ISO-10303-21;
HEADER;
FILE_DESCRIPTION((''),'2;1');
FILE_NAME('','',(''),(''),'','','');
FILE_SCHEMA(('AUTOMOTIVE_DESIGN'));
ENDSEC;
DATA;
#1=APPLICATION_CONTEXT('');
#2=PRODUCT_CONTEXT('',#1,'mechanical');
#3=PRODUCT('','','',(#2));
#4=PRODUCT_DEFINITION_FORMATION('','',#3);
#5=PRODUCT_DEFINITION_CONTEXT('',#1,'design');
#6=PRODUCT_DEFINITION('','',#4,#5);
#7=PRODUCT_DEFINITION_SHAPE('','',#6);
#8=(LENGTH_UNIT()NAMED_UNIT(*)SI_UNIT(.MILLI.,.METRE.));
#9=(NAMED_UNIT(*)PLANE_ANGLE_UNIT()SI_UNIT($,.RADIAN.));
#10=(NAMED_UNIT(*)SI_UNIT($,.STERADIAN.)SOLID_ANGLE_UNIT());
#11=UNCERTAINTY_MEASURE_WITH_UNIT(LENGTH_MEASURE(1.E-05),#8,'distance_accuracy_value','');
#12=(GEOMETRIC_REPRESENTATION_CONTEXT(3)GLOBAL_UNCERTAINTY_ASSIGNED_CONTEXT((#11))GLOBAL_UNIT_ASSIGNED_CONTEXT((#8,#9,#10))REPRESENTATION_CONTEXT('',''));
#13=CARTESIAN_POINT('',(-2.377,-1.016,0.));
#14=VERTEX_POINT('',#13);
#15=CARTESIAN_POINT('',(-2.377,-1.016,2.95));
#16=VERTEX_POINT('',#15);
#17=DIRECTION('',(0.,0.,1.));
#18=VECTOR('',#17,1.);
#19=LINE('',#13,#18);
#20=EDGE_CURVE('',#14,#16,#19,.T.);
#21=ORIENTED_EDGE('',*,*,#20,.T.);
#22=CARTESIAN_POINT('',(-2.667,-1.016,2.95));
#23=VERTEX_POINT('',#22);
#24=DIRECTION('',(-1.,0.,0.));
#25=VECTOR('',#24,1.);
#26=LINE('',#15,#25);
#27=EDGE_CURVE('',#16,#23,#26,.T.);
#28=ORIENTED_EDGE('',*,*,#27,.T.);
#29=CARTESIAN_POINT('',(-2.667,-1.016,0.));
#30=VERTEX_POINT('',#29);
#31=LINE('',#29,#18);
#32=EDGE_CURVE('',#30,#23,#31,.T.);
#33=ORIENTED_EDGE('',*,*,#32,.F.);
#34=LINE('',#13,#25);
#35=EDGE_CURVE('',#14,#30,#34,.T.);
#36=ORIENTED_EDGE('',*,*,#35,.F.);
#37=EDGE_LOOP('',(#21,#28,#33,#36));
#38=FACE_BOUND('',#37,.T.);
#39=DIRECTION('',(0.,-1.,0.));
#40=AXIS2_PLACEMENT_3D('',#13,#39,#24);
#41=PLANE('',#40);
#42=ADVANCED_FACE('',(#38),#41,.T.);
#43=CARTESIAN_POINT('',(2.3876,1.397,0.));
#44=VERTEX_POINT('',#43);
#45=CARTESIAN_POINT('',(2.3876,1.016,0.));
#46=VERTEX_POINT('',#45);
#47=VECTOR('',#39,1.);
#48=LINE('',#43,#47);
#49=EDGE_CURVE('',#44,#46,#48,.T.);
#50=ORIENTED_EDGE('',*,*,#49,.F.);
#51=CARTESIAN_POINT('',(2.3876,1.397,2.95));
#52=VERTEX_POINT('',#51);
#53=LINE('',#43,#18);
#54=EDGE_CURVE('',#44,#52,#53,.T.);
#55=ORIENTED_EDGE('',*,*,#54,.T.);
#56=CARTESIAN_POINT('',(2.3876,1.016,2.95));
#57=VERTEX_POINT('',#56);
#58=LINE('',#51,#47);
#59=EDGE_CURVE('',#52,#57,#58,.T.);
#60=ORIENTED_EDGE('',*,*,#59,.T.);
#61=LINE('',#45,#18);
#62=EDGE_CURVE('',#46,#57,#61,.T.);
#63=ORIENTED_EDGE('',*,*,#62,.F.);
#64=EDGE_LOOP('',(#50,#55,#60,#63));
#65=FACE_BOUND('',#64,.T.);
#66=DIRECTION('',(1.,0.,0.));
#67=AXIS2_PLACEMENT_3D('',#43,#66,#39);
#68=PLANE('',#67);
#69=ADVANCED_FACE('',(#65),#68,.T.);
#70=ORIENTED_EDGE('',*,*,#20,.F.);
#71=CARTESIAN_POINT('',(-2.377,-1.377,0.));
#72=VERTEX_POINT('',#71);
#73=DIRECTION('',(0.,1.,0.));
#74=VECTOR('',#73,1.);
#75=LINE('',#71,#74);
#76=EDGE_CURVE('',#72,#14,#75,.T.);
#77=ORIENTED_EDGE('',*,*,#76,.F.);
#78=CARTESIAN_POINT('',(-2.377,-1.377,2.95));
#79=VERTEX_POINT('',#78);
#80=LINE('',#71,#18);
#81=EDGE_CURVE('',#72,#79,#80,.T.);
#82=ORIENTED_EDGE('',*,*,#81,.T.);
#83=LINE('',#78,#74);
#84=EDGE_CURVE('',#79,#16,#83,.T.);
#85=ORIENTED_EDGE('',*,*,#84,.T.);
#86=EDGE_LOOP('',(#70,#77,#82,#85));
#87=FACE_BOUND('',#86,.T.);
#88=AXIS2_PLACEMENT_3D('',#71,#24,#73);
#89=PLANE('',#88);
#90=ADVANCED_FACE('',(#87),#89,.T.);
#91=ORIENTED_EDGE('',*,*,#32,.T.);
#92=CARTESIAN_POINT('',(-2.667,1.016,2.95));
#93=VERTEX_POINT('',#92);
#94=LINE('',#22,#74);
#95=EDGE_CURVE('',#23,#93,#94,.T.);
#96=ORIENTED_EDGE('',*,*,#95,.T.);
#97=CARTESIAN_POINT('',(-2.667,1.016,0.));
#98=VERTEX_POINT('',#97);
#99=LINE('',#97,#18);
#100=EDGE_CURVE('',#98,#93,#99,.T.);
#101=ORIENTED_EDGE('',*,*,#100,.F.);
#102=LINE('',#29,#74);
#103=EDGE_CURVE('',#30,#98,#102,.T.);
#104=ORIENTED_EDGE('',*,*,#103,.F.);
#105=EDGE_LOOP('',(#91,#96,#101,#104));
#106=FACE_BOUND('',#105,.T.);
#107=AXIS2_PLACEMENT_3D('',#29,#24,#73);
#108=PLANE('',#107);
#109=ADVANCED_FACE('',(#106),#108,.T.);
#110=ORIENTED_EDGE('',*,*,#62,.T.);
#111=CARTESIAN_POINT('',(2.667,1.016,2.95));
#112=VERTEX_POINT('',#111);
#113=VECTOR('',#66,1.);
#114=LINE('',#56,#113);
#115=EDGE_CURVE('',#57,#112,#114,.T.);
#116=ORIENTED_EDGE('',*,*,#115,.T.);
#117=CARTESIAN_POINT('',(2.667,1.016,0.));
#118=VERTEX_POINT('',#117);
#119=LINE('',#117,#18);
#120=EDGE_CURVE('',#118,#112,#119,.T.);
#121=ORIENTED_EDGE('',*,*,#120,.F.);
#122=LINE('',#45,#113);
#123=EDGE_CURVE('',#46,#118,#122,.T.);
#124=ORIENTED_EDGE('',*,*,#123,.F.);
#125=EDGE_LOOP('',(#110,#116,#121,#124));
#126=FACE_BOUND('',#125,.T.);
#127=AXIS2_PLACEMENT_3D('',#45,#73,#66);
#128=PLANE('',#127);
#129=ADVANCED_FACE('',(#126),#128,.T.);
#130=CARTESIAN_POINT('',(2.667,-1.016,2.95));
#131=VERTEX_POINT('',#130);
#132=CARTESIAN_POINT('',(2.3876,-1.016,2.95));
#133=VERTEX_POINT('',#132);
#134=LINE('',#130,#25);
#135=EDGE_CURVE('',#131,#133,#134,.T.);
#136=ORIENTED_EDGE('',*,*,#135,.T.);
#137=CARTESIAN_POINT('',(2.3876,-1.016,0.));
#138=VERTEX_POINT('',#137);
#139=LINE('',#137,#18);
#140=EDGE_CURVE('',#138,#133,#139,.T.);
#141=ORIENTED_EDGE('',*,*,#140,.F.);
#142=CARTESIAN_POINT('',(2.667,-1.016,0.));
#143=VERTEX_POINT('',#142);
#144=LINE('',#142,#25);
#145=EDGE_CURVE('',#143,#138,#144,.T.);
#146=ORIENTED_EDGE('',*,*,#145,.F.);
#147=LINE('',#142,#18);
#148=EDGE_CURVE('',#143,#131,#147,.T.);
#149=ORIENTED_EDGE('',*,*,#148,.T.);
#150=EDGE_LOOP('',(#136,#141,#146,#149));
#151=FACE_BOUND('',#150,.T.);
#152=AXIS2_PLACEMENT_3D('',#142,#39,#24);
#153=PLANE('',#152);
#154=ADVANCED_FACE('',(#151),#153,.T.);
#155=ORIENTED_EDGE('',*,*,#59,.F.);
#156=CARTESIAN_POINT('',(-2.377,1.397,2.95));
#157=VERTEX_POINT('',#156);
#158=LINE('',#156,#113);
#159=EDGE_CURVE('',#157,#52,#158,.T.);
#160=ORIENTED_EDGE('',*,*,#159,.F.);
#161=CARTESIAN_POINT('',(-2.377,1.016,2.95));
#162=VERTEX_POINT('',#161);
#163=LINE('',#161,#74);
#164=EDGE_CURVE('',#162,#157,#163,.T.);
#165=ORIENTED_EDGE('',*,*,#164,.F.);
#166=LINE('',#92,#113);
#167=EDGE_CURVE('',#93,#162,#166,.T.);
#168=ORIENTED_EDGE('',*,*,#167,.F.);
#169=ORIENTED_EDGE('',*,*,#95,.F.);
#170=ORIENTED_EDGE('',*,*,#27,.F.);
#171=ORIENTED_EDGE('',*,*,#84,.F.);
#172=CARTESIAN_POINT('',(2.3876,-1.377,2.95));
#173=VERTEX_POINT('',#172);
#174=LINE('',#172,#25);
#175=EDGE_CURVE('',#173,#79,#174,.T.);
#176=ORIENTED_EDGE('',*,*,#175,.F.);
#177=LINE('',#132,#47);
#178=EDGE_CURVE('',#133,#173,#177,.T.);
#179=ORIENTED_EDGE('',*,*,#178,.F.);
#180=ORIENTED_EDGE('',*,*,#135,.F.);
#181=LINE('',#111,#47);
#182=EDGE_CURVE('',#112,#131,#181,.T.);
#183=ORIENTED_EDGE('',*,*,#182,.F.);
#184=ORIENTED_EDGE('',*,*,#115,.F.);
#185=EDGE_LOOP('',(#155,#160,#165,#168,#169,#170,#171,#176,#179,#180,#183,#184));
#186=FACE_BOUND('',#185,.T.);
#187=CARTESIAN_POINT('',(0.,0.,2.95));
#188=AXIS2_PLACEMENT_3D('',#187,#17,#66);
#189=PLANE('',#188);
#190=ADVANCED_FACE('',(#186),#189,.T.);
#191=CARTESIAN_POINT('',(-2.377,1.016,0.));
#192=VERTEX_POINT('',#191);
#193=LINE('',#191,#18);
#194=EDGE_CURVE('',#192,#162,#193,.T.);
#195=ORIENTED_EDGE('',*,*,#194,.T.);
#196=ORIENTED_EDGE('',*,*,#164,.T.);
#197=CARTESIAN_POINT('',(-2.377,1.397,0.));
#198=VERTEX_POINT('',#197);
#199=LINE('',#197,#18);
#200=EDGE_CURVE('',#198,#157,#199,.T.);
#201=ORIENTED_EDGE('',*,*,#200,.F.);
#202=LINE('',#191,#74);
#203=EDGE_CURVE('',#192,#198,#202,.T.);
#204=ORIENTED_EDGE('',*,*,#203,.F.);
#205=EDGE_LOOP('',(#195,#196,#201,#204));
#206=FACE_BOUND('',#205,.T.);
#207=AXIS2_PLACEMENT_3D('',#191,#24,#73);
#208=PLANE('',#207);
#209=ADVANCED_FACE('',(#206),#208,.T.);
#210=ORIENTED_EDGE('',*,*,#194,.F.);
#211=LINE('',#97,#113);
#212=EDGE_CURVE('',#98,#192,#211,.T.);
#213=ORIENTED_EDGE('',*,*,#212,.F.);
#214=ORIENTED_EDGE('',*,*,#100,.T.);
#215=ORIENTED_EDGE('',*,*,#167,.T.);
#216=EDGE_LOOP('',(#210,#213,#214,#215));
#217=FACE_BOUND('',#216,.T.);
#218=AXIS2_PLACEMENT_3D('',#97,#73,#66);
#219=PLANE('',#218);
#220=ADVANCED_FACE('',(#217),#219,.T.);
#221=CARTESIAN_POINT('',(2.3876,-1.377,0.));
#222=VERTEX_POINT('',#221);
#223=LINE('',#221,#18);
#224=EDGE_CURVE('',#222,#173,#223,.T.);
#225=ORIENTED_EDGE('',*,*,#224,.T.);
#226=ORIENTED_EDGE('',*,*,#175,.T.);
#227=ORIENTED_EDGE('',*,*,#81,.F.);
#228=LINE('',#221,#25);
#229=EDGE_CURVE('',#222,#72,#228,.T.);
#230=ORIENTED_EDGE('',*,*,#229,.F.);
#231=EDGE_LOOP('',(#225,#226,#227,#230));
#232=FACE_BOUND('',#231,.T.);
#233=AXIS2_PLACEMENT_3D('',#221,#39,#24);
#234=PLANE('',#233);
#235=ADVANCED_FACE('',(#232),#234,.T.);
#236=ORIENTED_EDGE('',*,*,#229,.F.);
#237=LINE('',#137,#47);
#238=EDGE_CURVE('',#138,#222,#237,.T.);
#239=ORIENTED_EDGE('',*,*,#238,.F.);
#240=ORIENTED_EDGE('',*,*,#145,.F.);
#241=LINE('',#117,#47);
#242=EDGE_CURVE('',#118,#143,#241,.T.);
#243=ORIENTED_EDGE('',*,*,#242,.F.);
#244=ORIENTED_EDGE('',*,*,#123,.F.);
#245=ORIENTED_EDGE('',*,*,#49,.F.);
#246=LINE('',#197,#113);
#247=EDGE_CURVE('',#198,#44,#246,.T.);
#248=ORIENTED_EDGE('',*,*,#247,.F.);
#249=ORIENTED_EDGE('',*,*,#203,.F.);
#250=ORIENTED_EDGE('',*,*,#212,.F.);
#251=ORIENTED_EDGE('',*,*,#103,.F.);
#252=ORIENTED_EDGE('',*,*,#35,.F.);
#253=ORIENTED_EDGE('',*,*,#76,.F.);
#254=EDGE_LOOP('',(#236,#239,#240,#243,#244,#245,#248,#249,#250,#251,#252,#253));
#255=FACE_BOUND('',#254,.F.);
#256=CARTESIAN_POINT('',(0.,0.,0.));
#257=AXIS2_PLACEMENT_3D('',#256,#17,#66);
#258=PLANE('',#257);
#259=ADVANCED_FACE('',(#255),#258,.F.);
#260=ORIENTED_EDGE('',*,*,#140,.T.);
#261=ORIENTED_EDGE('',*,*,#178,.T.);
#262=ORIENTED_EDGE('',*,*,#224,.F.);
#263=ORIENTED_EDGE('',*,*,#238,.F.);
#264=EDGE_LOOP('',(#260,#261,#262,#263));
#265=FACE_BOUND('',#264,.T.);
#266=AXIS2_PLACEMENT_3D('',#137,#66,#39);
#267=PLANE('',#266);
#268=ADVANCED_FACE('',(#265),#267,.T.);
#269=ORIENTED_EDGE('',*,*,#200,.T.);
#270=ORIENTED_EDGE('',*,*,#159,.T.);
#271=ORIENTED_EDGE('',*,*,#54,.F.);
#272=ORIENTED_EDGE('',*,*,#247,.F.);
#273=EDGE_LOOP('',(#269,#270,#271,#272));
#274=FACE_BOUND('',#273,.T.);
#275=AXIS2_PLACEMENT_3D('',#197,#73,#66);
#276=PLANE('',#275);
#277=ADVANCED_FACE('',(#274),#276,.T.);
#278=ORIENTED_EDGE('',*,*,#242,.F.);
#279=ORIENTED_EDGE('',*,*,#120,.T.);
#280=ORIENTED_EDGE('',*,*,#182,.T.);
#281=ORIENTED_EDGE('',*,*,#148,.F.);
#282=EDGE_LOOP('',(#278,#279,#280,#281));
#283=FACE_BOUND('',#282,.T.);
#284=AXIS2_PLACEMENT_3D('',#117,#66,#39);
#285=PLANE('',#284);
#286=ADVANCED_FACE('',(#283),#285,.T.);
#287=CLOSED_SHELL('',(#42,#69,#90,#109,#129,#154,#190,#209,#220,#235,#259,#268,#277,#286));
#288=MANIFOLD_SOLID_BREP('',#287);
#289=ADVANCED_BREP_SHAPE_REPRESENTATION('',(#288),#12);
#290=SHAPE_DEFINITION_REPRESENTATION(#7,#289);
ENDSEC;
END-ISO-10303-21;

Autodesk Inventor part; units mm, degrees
ref_plane "YZ Plane" through (0, 0, 0) normal (1, 0, 0) x (0, 1, 0)
ref_plane "XZ Plane" through (0, 0, 0) normal (0, 1, 0) x (-1, 0, 0)
ref_plane "XY Plane" through (0, 0, 0) normal (0, 0, 1) x (1, 0, 0)
sketch "SMA-SM, SK310A-TP_61" plane through (0, 0, 0) normal (0, 0, 1) x (1, 0, 0)
  line L0 (2.3876, 1.016) -> (2.667, 1.016)
  line L1 (2.667, 1.016) -> (2.667, -1.016)
  line L2 (2.667, -1.016) -> (2.3876, -1.016)
  line L3 (2.3876, -1.016) -> (2.3876, -1.377)
  line L4 (2.3876, -1.377) -> (-2.377, -1.377)
  line L5 (-2.377, -1.377) -> (-2.377, -1.016)
  line L6 (-2.377, -1.016) -> (-2.667, -1.016)
  line L7 (-2.667, -1.016) -> (-2.667, 1.016)
  line L8 (-2.667, 1.016) -> (-2.377, 1.016)
  line L9 (-2.377, 1.016) -> (-2.377, 1.397)
  line L10 (-2.377, 1.397) -> (2.3876, 1.397)
  line L11 (2.3876, 1.397) -> (2.3876, 1.016)
extrude "Extrusion1" add sketch "SMA-SM, SK310A-TP_61" along normal blind 2.95
properties part number "SK310A-TP"
